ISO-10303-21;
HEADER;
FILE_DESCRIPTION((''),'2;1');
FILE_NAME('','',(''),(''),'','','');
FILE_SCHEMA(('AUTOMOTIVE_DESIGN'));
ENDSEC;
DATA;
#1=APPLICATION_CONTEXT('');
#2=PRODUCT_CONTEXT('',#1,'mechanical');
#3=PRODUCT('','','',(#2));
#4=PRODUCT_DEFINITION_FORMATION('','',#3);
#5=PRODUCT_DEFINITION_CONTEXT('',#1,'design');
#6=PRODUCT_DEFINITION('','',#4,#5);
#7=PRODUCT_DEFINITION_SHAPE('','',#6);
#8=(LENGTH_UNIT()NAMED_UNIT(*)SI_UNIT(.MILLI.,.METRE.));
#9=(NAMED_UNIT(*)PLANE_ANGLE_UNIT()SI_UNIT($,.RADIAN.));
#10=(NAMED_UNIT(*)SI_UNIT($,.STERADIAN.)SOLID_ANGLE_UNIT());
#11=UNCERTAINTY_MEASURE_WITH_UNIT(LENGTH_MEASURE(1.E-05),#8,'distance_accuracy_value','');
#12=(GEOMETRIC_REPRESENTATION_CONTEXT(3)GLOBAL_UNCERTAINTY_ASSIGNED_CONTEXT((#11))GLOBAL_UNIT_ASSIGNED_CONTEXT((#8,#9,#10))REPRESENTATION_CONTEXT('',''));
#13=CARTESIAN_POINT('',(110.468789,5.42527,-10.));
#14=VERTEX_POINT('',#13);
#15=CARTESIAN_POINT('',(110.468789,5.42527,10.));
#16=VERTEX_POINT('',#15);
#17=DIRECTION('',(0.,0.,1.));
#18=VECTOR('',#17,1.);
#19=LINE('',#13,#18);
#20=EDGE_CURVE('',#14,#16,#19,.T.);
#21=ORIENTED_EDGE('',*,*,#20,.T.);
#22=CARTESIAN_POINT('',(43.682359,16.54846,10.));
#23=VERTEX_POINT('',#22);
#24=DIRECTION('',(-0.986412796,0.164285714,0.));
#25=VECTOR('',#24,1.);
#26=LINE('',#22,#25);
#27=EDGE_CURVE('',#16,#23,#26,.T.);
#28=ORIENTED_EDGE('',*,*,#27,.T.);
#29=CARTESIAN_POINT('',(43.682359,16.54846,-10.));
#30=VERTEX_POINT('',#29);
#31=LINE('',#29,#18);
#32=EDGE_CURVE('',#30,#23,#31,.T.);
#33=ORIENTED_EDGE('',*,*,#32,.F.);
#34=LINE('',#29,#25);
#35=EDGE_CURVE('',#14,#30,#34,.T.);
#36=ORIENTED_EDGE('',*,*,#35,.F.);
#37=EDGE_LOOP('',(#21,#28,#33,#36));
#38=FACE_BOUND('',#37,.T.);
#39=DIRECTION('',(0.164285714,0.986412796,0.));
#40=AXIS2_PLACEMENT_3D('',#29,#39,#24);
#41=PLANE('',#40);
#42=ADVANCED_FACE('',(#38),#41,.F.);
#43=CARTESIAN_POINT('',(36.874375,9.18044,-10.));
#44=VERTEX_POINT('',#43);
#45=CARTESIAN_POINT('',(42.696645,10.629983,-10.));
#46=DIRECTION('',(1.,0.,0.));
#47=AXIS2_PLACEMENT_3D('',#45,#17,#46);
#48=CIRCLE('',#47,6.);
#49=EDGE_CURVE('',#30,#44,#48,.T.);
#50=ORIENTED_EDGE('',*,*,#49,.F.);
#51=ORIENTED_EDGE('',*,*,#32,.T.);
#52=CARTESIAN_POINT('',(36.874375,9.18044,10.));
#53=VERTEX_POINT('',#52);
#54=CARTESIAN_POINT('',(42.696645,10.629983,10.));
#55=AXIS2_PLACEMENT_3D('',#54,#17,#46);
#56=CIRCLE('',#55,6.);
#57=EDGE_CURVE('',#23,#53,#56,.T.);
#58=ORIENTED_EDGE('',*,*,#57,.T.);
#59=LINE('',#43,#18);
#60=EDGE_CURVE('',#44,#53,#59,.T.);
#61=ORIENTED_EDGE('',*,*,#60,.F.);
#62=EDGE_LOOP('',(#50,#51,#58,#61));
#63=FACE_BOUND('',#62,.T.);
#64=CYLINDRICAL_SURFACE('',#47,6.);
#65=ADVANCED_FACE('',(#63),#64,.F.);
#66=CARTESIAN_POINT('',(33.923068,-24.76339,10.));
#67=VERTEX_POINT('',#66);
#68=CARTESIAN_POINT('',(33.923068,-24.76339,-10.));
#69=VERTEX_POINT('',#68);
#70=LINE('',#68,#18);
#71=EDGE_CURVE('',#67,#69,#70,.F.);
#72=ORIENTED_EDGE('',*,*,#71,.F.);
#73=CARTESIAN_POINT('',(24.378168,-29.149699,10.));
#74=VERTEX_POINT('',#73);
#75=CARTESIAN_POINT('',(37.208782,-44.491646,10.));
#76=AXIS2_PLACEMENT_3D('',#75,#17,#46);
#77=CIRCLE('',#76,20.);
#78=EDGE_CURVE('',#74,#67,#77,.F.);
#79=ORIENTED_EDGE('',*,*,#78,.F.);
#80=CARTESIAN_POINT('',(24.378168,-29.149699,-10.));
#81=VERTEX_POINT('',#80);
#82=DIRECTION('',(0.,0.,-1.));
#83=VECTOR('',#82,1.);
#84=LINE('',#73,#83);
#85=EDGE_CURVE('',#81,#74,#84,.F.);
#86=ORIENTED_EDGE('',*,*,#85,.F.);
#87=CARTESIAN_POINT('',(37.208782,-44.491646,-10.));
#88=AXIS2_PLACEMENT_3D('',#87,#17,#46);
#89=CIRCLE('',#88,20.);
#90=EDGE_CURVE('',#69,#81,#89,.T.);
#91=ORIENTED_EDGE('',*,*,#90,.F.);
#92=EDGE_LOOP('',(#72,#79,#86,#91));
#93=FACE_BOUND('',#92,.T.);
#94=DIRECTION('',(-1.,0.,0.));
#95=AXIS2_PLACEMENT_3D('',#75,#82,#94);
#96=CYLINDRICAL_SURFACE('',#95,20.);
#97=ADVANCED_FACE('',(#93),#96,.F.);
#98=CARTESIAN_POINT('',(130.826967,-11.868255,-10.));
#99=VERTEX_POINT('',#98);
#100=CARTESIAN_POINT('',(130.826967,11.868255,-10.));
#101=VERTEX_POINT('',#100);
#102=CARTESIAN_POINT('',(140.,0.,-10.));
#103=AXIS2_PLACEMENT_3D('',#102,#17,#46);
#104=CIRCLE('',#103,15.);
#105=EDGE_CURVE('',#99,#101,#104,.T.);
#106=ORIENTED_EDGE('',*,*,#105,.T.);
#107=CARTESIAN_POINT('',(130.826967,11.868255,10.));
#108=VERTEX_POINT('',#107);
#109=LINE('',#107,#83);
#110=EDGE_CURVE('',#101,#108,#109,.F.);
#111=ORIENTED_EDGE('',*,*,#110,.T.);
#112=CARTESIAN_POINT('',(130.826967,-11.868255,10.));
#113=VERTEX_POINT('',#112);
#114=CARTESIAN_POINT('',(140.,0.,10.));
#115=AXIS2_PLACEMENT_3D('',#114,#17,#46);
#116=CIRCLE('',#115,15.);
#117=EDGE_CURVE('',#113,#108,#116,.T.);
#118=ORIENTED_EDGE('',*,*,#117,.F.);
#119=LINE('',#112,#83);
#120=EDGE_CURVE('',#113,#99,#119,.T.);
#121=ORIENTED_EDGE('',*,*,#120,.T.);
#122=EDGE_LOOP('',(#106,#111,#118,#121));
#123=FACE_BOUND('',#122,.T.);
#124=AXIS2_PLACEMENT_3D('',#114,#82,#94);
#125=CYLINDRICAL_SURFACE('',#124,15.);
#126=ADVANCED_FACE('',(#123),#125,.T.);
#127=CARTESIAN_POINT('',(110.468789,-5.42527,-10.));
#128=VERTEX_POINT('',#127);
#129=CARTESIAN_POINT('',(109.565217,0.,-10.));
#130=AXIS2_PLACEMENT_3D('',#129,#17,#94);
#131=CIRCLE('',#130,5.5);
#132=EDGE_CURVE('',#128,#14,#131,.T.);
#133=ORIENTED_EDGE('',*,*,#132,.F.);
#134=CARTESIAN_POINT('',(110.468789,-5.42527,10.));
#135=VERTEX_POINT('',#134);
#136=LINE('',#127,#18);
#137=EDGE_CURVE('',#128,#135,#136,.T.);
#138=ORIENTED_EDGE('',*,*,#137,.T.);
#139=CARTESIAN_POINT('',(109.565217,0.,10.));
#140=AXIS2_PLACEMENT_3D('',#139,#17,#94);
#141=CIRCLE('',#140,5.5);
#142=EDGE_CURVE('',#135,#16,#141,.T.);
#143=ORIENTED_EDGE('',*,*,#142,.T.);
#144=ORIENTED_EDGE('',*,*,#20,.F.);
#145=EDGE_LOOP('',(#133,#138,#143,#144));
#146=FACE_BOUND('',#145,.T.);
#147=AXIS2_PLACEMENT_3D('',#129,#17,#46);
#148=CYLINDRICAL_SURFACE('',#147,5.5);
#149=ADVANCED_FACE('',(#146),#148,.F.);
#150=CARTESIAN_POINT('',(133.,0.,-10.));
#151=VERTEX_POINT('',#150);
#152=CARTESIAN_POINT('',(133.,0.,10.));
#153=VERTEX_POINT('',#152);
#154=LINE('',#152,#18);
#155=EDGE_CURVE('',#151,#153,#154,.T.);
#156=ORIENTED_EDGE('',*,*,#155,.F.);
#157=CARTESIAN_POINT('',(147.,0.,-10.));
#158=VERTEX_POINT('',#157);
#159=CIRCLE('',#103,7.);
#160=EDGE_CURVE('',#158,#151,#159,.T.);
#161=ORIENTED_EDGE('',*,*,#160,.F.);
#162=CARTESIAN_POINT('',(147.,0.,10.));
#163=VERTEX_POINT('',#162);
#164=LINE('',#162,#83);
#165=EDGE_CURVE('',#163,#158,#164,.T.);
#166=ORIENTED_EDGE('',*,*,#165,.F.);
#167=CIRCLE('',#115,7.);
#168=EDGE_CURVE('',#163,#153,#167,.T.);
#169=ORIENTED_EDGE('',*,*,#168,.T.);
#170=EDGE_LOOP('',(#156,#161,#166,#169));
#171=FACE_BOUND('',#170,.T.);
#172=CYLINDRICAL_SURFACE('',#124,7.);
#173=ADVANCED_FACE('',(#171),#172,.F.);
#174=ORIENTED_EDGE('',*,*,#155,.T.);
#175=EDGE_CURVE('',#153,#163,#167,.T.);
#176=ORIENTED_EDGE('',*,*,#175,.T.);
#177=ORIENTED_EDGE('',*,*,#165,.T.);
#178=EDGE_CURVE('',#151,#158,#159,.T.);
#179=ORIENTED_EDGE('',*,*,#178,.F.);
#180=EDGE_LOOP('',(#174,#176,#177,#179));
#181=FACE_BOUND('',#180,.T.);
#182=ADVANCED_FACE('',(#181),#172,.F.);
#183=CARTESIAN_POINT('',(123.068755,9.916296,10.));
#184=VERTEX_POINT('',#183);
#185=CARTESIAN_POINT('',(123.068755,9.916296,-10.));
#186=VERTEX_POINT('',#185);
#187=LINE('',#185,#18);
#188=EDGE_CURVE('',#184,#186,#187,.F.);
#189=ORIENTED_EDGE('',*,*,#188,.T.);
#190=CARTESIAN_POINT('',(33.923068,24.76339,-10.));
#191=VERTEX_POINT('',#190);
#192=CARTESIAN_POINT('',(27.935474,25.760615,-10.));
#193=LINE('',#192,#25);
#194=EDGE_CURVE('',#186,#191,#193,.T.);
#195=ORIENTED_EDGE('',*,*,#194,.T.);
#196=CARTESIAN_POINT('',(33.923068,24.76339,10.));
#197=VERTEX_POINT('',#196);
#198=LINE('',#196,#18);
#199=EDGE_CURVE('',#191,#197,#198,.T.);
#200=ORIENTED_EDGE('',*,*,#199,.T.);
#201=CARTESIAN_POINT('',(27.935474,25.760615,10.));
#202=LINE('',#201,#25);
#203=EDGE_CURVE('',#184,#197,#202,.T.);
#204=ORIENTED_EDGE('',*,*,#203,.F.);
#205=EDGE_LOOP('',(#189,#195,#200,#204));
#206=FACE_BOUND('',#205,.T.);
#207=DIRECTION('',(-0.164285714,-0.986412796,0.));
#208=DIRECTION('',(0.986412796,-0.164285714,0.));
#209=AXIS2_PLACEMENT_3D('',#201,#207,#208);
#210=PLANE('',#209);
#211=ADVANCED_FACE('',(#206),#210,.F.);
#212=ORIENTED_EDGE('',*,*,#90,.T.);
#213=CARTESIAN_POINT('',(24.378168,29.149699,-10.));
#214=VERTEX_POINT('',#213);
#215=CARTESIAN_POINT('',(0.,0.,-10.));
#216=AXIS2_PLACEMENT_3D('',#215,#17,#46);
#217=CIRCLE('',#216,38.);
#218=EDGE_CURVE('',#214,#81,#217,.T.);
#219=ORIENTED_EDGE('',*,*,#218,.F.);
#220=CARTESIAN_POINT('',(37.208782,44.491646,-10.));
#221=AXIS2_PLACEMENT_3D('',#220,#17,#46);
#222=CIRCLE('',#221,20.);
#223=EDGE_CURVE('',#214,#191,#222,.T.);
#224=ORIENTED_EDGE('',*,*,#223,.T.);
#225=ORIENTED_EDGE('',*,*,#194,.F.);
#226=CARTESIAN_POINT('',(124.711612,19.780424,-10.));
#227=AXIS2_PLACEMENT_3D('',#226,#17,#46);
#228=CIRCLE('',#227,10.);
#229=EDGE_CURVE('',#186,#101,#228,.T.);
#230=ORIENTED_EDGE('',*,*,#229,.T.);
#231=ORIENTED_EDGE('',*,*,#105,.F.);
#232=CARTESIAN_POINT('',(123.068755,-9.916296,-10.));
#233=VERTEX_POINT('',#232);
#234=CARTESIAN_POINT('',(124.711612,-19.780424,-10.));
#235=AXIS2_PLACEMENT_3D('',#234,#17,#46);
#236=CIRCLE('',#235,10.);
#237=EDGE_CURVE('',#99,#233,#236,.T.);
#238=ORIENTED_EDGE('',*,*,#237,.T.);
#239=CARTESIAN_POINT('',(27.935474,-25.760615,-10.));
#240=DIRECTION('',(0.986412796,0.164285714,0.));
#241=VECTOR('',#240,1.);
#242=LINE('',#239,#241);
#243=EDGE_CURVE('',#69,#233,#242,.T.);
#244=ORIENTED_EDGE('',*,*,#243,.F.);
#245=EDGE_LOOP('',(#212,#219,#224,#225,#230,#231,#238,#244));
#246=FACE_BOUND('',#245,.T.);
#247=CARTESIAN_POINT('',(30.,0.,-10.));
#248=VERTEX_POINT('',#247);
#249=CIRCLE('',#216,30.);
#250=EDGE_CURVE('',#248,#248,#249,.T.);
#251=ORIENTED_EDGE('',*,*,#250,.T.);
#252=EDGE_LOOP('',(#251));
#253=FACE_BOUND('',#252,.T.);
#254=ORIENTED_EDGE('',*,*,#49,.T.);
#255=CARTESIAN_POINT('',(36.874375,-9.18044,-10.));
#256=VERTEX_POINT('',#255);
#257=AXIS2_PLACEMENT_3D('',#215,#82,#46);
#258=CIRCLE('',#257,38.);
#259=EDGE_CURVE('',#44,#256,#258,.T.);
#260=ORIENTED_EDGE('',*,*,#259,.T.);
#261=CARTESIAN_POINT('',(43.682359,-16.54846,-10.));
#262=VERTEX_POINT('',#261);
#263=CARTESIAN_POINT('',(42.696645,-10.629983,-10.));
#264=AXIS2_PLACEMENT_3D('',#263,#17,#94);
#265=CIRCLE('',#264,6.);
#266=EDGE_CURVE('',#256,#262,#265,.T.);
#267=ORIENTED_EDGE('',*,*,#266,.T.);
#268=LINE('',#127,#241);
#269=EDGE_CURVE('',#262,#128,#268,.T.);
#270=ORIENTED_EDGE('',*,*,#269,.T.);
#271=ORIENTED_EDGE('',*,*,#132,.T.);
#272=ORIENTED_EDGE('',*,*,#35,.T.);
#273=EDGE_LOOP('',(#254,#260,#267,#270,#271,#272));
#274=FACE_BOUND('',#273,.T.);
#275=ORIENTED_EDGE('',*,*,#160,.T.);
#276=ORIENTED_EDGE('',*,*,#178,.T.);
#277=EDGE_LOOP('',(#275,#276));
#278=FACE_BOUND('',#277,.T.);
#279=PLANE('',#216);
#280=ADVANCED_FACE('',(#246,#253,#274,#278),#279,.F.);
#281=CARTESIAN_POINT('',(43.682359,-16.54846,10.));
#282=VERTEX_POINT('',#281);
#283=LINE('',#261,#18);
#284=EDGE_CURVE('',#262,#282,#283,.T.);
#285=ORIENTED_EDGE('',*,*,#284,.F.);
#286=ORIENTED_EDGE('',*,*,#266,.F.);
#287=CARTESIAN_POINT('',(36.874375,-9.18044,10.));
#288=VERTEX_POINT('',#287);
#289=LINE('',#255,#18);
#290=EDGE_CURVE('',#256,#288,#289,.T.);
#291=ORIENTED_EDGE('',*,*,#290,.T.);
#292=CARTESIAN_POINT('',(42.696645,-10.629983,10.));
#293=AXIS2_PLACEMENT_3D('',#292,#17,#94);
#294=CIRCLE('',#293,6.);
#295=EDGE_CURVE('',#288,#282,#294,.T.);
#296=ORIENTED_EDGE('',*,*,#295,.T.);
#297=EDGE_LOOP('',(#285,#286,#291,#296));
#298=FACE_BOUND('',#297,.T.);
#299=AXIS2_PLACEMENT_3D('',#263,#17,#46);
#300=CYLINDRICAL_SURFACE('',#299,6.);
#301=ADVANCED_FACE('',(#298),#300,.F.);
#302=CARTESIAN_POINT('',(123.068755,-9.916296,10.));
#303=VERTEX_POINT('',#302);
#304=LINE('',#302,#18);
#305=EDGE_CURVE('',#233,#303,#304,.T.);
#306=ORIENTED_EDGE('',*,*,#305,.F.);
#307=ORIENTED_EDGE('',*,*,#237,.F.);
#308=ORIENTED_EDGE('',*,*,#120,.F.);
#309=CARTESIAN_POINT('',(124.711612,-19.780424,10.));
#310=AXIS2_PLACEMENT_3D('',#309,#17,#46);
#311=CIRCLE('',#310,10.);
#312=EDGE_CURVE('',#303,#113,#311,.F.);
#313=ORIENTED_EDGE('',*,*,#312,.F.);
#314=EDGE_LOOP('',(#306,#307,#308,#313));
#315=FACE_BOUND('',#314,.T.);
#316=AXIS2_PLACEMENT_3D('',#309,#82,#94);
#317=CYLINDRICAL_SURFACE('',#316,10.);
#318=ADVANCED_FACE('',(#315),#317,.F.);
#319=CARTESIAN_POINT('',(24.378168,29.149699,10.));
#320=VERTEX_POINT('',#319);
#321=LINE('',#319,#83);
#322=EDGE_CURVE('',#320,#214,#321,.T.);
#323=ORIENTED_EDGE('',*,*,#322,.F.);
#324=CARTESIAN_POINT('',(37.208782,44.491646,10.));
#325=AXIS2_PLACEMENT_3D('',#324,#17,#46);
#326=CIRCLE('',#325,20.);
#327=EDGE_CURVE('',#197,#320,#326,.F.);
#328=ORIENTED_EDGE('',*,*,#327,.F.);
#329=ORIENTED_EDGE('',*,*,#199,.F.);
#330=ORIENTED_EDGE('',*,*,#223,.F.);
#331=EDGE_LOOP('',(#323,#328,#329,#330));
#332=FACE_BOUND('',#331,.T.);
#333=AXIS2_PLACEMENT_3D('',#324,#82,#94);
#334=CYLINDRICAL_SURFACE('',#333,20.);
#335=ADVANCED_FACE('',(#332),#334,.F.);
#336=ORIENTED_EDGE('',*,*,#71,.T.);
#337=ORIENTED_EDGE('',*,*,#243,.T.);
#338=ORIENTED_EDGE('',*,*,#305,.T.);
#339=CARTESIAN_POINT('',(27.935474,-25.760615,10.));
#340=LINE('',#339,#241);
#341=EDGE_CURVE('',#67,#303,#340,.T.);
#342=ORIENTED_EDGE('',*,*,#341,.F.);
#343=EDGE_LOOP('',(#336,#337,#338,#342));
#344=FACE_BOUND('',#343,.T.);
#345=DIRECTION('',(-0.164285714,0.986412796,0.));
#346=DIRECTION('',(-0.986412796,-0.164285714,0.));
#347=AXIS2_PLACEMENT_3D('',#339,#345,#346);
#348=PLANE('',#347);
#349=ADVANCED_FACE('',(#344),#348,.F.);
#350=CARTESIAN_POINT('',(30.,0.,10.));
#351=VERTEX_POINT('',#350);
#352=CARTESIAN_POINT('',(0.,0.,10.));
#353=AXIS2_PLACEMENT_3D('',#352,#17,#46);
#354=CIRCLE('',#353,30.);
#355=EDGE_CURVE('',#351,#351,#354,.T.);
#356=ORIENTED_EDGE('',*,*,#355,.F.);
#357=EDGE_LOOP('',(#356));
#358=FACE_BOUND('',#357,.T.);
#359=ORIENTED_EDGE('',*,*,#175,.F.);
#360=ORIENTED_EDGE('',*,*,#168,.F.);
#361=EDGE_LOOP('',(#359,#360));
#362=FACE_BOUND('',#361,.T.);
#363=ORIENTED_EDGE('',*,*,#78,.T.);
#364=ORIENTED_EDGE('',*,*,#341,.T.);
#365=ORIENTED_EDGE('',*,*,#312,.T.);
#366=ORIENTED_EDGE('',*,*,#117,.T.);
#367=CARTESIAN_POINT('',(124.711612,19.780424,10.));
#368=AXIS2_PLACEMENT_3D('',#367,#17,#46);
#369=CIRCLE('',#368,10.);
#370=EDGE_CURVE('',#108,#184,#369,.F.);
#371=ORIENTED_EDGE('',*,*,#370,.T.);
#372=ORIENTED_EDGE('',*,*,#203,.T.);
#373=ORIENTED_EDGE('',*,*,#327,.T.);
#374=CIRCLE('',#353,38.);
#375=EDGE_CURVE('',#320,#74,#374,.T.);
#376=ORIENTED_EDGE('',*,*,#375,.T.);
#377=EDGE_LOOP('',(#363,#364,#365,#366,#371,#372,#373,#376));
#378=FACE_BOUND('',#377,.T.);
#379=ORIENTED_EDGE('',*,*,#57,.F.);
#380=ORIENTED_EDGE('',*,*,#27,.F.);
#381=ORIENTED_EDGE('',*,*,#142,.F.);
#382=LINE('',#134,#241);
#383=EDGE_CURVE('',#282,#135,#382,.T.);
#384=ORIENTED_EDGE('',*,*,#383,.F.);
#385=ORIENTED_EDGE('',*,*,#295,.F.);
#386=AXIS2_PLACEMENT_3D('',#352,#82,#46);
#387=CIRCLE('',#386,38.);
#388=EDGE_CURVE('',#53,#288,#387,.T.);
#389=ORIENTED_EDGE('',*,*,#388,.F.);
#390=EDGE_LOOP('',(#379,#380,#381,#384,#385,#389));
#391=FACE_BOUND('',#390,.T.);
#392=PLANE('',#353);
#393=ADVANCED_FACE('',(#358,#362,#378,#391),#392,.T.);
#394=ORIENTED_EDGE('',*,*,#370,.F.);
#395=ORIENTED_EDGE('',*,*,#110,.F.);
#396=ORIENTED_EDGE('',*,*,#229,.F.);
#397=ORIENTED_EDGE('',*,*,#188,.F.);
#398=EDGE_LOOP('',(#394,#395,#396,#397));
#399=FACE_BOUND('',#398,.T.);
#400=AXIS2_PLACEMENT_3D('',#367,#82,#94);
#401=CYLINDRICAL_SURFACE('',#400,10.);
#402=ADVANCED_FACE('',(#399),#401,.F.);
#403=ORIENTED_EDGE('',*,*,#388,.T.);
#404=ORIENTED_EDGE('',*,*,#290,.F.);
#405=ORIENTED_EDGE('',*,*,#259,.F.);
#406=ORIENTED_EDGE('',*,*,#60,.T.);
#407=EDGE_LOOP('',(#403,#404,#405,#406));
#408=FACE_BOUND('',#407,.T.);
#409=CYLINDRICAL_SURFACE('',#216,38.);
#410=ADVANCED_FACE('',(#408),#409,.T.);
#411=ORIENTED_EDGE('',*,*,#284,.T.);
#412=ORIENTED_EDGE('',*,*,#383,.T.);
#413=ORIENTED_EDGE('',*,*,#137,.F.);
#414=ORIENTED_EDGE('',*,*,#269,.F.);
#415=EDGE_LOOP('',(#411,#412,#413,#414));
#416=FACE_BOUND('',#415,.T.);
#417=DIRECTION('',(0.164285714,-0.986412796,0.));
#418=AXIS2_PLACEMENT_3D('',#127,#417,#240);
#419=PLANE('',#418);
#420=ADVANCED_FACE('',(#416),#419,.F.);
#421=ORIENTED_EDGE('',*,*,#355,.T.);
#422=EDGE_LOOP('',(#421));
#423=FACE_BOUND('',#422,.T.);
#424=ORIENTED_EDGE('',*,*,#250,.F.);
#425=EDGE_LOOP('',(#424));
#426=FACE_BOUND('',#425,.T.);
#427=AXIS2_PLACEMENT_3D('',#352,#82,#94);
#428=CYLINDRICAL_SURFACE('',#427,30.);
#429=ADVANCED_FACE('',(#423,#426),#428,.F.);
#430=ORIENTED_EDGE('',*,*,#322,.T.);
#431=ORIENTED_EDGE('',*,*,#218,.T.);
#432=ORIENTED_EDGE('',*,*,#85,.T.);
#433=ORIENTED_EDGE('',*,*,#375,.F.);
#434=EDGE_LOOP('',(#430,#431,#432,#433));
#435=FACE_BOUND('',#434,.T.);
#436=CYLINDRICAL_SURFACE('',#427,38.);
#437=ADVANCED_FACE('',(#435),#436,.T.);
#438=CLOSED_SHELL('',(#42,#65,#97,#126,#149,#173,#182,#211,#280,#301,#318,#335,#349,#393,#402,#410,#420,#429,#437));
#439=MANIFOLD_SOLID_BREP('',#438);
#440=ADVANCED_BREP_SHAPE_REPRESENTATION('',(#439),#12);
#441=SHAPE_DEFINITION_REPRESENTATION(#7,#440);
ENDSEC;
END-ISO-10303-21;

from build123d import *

# Parameters (mm, degrees)
SKETCH1_R           = 30
SKETCH1_R_2         = 7
BOSS_EXTRUDE1_DEPTH = 10
FILLET1_R           = 20
FILLET2_R           = 10
CUT_EXTRUDE1_DEPTH  = 161.838428244


with BuildPart() as part:
    # Sketch1 → Boss-Extrude1 (new, symmetric)
    with BuildSketch(Plane.XY):
        with BuildLine():
            Line((27.935473676, 25.760615491), (128.063755469, 9.084385863))
            ThreePointArc((128.063755469, 9.084385863), (155, 0), (128.063755469, -9.084385863))
            Line((128.063755469, -9.084385863), (27.935473676, -25.760615491))
            ThreePointArc((27.935473676, -25.760615491), (-38, 0), (27.935473676, 25.760615491))
        make_face()
        Circle(SKETCH1_R, mode=Mode.SUBTRACT)
        with Locations((140, 0)):
            Circle(SKETCH1_R_2, mode=Mode.SUBTRACT)
    extrude(amount=BOSS_EXTRUDE1_DEPTH, both=True)

    # Fillet1
    fillet1_edges = [part.edges().sort_by_distance(p)[0] for p in [
        (27.935473676, 25.760615491, 0),
        (27.935473676, -25.760615491, 0),
    ]]
    fillet(fillet1_edges, radius=FILLET1_R)

    # Fillet2
    fillet2_edges = [part.edges().sort_by_distance(p)[0] for p in [
        (128.063755469, 9.084385863, 0),
        (128.063755469, -9.084385863, 0),
    ]]
    fillet(fillet2_edges, radius=FILLET2_R)

    # Sketch3 → Cut-Extrude1 (cut, through all)
    with BuildSketch(Plane.XY.offset(10)):
        with BuildLine():
            Line((43.682358904, 16.548459765), (110.46878882, 5.425270378))
            ThreePointArc((110.46878882, 5.425270378), (115.065217391, 0), (110.46878882, -5.425270378))
            Line((110.46878882, -5.425270378), (43.682358904, -16.548459765))
            ThreePointArc((43.682358904, -16.548459765), (38.289832111, -14.701838037), (36.874374898, -9.180439854))
            ThreePointArc((36.874374898, -9.180439854), (38, 0), (36.874374898, 9.180439854))
            ThreePointArc((36.874374898, 9.180439854), (38.289832111, 14.701838037), (43.682358904, 16.548459765))
        make_face()
    extrude(amount=-CUT_EXTRUDE1_DEPTH, mode=Mode.SUBTRACT)


solid = part.part
